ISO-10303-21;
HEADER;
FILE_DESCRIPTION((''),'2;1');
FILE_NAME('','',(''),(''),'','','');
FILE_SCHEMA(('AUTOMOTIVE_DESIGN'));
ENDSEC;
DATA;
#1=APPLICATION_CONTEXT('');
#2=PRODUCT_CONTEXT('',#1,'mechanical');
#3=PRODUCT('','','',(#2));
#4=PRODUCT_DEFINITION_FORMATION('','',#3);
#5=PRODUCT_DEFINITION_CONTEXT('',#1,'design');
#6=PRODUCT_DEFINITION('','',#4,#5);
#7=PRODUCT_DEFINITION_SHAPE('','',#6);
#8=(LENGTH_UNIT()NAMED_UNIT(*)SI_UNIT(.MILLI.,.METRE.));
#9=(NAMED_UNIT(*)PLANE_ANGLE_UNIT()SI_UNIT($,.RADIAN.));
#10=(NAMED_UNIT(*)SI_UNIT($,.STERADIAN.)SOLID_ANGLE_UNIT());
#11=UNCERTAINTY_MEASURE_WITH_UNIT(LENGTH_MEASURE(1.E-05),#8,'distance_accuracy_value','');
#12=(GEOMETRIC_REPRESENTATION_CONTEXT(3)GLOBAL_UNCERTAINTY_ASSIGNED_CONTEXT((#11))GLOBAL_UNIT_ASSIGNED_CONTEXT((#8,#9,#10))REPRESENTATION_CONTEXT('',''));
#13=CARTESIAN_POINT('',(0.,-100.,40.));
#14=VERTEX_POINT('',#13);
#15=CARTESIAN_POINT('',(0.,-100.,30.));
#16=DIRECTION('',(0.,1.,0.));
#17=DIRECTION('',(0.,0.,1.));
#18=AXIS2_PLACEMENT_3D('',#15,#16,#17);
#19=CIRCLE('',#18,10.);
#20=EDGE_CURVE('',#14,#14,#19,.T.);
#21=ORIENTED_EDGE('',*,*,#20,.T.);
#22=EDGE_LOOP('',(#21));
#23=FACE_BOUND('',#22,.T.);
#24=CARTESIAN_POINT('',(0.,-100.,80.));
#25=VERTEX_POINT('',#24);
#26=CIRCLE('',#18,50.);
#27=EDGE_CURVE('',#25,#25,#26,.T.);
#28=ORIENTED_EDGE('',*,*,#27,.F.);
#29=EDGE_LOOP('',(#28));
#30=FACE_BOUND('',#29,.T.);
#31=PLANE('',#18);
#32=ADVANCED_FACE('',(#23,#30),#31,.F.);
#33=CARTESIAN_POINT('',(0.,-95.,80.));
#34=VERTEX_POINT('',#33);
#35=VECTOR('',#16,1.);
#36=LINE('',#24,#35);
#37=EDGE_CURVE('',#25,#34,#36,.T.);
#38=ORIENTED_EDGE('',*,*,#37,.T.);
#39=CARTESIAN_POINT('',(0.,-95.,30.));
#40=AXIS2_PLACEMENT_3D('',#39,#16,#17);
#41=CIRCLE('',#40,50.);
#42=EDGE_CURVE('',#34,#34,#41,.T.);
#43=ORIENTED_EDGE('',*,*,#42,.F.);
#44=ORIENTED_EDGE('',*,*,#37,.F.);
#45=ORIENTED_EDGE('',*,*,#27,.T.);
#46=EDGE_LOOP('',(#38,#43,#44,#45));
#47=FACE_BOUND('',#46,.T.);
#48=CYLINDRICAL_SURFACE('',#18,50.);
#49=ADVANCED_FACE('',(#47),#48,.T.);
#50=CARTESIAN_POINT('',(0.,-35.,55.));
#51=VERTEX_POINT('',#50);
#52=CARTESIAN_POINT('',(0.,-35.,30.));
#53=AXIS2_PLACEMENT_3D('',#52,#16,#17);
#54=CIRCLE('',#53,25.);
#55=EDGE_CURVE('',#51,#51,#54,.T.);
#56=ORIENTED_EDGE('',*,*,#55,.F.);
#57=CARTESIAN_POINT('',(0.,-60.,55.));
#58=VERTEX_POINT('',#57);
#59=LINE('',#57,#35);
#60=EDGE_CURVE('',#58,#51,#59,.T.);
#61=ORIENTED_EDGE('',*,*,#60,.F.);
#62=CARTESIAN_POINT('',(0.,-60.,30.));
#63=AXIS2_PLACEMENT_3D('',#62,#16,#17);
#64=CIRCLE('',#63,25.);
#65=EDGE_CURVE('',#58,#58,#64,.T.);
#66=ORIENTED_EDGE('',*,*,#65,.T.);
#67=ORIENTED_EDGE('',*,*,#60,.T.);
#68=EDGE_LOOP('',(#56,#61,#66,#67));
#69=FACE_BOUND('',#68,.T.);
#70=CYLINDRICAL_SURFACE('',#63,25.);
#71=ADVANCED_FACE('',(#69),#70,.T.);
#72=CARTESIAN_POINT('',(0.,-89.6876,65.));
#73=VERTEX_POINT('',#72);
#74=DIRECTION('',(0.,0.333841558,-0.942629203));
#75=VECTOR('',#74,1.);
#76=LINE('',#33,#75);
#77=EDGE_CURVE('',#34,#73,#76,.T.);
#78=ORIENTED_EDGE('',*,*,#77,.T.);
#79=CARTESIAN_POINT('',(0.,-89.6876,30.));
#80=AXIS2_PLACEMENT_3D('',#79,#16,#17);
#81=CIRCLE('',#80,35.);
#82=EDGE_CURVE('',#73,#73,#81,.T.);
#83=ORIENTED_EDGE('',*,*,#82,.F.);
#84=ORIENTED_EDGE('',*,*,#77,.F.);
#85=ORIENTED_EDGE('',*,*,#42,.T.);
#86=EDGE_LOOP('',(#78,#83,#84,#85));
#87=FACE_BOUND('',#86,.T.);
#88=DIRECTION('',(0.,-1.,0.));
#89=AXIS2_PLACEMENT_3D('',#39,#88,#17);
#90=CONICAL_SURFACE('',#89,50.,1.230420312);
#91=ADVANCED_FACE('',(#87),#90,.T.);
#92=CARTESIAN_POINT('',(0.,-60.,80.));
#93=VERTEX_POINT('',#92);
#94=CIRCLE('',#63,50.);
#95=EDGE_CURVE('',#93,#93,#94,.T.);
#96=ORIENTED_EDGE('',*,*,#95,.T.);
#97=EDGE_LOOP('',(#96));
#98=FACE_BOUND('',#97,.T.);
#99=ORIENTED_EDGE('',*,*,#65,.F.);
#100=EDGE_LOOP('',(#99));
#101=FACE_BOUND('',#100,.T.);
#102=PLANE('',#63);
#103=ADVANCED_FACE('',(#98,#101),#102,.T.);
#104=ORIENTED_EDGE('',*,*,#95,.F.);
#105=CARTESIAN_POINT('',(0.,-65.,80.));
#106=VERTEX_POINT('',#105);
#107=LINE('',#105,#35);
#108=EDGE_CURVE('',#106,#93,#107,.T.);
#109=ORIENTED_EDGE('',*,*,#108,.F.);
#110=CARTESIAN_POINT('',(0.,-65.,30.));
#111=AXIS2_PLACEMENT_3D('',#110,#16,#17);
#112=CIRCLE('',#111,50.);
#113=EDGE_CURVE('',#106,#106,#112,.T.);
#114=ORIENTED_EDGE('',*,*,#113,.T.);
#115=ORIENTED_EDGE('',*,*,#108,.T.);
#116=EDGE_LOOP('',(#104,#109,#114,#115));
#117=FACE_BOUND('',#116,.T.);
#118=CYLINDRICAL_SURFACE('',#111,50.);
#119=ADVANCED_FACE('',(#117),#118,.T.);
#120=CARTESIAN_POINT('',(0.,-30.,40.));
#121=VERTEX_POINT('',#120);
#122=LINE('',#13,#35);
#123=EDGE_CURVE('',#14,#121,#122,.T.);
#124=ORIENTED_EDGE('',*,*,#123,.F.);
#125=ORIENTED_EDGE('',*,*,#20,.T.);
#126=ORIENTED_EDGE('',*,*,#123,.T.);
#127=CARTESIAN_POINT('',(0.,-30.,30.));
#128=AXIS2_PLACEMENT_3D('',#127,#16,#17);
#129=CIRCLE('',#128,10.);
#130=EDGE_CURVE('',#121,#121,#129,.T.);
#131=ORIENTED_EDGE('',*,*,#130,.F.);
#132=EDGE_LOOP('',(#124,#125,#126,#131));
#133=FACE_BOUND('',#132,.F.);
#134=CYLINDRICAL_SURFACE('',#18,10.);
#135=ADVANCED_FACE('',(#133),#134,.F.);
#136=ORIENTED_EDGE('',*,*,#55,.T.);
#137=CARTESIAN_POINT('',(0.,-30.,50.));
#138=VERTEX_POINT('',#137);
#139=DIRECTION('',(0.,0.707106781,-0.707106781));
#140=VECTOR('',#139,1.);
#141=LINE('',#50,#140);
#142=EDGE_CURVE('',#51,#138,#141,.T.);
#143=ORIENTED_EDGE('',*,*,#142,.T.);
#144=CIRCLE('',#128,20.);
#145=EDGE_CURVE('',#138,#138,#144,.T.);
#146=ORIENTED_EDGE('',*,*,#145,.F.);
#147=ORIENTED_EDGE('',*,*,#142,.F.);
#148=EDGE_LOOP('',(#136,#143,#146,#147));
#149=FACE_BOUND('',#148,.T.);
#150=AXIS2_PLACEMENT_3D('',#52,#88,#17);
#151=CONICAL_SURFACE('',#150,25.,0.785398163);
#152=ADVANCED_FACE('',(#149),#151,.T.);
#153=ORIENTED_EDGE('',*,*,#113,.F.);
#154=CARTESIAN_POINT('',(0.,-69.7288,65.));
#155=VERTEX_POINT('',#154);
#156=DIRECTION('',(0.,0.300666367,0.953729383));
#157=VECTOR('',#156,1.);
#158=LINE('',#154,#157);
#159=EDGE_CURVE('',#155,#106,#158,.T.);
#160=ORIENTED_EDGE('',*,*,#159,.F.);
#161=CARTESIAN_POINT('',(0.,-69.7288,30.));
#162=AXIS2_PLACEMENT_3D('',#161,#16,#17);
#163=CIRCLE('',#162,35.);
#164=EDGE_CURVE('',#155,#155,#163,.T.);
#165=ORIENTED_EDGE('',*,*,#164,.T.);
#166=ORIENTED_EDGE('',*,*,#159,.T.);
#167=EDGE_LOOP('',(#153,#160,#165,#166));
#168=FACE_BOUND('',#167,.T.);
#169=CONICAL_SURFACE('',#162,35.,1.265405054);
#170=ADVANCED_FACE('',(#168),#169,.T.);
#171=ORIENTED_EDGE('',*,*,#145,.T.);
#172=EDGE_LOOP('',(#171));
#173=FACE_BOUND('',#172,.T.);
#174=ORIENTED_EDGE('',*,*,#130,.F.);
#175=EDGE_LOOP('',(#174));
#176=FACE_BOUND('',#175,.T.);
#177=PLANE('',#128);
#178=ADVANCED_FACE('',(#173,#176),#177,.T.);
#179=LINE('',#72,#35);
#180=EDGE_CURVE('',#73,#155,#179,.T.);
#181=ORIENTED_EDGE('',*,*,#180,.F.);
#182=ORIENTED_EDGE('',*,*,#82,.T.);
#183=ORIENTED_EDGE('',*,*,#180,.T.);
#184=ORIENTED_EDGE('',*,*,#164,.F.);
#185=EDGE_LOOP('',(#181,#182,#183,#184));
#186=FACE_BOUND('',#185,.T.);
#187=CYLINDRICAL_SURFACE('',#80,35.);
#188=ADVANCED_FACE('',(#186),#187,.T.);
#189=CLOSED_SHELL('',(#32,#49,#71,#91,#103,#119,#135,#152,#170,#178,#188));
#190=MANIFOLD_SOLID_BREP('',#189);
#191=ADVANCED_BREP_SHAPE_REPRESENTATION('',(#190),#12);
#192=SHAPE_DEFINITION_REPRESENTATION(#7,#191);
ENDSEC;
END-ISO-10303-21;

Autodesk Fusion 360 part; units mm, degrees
sketch "Sketch1" plane through (0, 0, 0) normal (1, 0, 0) x (0, 1, 0)
  line L0 (-100, 30) -> (63.8964, 30) construction
  line L1 (-100, 40) -> (-30, 40)
  line L2 (-100, 40) -> (-100, 80)
  line L3 (-100, 80) -> (-95, 80)
  line L4 (-95, 80) -> (-89.6876, 65)
  line L5 (-89.6876, 65) -> (-69.7288, 65)
  line L6 (-69.7288, 65) -> (-65, 80)
  line L7 (-65, 80) -> (-60, 80)
  line L8 (-60, 80) -> (-60, 55)
  line L9 (-60, 55) -> (-35, 55)
  line L10 (-30, 50) -> (-30, 40)
  line L11 (-30, 40) -> (75.0845, 40)
  line L12 (-35, 55) -> (-30, 50)
  point P0 (-30, 55)
  dimension "d1" = 10
  dimension "d2" = 25
  dimension "d3" = 35
  dimension "d4" = 50
  dimension "d5" = 37
  dimension "d6" = 5
  dimension "d7" = 5
  dimension "d8" = 90
  dimension "d9" = 5
  dimension "d10" = 5
  dimension "d11" = 30
  dimension "d12" = 70
revolve "Revolve1" add sketch "Sketch1" angle 360 about axis through (0, -100, 30) along (0, 1, 0)
equation "d10 = d9"
